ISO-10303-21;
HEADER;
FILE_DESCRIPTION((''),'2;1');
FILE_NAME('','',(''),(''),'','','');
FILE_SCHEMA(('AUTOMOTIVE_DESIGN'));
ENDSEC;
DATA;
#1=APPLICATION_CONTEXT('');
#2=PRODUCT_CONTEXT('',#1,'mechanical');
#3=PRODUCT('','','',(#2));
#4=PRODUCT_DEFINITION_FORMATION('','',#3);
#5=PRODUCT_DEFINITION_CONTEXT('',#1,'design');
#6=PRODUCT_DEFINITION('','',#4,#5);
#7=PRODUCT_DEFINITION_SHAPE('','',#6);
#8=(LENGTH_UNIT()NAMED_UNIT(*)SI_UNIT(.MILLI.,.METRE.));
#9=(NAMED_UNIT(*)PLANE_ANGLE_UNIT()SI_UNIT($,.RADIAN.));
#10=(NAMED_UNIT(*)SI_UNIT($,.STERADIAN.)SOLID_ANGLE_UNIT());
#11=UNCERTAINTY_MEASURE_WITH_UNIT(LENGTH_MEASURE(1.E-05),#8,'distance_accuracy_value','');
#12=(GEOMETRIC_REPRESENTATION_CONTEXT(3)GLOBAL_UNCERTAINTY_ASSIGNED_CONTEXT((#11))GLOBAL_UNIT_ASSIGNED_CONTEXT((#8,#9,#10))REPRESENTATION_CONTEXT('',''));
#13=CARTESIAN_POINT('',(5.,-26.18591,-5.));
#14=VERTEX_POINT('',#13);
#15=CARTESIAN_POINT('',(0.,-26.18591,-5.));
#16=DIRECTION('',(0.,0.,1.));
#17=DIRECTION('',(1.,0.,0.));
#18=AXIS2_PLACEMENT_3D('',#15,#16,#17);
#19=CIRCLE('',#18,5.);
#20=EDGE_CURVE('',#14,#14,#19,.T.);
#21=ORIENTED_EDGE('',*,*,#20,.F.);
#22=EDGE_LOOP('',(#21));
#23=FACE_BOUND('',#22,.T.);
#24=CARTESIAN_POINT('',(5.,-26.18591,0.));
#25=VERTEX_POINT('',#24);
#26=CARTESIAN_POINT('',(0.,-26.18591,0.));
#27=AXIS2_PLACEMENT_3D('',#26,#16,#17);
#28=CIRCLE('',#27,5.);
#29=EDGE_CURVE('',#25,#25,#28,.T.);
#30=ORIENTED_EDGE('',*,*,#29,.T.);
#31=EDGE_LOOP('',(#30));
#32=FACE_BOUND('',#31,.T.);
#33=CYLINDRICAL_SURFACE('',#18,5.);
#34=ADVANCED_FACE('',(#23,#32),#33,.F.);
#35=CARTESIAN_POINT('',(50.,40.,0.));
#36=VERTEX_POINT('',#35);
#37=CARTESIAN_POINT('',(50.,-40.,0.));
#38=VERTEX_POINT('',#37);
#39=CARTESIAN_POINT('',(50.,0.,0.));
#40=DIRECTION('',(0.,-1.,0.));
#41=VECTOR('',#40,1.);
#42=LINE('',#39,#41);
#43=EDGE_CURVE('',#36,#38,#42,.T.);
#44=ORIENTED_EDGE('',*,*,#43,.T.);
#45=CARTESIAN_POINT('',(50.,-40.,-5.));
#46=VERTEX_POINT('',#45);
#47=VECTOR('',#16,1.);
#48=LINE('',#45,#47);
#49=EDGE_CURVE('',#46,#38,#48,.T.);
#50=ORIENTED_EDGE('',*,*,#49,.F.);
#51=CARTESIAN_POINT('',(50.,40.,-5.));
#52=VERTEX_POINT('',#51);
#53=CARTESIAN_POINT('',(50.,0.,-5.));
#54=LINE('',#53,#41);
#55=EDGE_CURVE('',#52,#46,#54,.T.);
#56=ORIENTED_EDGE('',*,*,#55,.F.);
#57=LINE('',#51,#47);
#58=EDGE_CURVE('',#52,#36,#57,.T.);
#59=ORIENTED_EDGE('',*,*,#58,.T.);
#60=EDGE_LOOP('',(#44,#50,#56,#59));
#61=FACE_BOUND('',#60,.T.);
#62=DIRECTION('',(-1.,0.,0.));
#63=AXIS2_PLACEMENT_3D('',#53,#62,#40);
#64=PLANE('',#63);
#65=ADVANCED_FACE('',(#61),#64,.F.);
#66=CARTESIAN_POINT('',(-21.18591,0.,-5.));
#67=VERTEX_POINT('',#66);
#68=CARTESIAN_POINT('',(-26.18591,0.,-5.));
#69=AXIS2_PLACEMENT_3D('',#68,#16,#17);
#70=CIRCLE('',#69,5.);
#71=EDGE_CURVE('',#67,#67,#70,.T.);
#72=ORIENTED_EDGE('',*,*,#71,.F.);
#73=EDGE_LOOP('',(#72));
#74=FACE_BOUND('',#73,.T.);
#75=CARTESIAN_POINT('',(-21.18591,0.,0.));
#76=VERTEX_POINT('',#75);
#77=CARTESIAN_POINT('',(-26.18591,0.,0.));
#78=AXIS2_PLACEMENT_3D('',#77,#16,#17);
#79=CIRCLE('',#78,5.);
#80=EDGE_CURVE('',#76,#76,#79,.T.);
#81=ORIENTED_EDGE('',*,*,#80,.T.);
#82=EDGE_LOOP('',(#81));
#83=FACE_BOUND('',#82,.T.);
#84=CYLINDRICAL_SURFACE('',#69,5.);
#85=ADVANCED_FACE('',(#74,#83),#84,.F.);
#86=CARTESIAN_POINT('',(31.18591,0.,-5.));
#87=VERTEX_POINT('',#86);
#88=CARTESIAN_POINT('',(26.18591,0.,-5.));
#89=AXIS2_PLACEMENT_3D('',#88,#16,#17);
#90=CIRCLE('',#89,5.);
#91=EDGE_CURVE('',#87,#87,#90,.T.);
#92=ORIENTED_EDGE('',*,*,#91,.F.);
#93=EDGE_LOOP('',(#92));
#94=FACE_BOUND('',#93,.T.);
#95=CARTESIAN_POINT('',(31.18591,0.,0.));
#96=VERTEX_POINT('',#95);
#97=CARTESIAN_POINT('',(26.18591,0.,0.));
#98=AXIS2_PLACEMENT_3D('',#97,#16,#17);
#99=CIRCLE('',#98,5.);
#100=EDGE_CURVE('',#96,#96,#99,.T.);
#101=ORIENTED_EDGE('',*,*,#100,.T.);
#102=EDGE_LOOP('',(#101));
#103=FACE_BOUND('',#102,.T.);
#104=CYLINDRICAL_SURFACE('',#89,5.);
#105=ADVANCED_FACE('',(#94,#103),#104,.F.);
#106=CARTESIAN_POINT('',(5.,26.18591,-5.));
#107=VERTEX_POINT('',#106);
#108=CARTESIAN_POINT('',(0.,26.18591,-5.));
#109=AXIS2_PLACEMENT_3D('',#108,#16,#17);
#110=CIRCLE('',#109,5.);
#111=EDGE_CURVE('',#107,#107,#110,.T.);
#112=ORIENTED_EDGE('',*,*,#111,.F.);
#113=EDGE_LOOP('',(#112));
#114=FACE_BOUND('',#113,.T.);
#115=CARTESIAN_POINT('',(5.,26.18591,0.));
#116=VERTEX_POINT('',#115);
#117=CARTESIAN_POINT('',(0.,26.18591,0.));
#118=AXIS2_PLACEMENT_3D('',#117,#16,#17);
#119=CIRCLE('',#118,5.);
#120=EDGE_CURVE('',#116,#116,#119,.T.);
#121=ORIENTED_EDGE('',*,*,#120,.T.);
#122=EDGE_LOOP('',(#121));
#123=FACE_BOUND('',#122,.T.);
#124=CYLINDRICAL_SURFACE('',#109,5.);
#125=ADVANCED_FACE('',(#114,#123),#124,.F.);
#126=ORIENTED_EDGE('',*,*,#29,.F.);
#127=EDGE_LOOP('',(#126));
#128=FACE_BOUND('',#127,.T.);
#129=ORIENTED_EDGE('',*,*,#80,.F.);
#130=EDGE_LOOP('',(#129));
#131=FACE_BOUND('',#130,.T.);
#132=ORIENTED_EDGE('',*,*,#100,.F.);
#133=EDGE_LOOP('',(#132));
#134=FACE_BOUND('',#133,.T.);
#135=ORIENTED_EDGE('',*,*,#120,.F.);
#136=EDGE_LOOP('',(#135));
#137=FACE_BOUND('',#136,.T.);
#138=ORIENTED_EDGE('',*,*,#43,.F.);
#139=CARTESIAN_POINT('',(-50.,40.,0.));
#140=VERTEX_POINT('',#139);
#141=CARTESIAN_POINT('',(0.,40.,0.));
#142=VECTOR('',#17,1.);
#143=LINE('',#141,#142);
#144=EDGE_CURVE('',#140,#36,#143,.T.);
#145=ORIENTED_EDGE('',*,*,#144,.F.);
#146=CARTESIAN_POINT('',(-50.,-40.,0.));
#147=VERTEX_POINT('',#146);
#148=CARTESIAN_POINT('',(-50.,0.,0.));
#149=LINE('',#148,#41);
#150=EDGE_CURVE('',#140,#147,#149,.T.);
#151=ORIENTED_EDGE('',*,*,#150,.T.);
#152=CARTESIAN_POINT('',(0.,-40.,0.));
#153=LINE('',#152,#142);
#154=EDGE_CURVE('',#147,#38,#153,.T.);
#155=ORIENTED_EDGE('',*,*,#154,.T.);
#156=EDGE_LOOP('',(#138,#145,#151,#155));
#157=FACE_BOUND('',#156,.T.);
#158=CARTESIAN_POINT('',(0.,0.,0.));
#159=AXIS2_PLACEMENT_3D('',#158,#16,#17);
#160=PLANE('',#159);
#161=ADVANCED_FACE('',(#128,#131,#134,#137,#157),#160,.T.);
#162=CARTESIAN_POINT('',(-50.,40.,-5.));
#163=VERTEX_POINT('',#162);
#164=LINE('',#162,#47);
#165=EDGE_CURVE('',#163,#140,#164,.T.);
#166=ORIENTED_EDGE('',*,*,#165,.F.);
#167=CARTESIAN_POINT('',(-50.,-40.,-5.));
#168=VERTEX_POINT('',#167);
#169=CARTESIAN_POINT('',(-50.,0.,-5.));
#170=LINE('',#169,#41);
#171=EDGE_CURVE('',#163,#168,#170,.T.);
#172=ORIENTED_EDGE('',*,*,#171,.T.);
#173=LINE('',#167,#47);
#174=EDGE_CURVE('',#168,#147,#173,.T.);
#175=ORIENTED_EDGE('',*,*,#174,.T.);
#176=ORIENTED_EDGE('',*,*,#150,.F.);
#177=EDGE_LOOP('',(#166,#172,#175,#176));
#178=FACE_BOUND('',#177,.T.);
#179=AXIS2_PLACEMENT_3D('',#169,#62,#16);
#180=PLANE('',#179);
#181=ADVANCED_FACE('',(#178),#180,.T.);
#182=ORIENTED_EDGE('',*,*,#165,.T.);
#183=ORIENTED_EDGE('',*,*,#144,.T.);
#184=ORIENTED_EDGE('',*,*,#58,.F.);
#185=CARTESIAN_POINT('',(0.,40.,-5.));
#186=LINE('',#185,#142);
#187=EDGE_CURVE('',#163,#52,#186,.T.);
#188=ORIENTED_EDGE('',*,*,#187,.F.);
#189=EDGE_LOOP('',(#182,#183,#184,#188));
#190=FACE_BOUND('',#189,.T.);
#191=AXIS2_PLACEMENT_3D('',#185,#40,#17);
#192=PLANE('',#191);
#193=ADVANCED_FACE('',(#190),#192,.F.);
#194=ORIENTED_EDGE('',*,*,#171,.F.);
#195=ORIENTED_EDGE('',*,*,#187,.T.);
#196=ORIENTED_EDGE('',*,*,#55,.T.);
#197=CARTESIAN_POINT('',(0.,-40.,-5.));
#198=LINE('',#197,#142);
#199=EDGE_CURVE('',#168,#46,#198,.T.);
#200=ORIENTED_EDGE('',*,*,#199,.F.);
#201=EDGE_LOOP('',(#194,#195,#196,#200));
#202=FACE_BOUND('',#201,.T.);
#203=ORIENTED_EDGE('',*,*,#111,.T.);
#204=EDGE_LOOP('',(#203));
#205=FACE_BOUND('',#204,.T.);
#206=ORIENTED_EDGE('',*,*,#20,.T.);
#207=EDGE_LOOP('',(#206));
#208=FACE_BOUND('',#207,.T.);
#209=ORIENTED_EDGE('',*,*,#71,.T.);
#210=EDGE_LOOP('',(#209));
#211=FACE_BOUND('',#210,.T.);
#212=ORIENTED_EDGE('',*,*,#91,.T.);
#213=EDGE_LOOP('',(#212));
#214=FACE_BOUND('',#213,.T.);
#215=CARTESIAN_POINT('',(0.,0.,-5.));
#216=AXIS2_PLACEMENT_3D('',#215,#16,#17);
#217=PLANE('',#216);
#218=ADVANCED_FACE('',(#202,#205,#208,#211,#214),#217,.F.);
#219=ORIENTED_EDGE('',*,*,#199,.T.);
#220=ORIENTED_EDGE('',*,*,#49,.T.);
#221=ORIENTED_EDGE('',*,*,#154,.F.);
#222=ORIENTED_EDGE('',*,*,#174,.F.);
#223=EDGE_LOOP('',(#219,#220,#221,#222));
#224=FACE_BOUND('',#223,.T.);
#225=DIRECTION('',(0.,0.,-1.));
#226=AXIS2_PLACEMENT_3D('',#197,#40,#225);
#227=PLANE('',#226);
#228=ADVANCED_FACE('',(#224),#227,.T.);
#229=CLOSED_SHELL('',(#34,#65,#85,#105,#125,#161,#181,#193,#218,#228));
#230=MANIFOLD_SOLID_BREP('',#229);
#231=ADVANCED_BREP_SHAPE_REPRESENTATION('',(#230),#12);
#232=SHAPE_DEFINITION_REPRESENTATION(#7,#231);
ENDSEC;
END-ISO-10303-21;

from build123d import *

# Parameters (mm, degrees)
SKETCH1_W           = 100
SKETCH1_H           = 80
SKETCH1_R           = 5
BOSS_EXTRUDE3_DEPTH = 5


with BuildPart() as part:
    # Sketch1 → Boss-Extrude3 (new body)
    with BuildSketch(Plane.XY):
        Rectangle(SKETCH1_W, SKETCH1_H)
        with Locations((-26.18590973, 0)):
            Circle(SKETCH1_R, mode=Mode.SUBTRACT)
        with Locations((0, 26.18590973)):
            Circle(SKETCH1_R, mode=Mode.SUBTRACT)
        with Locations((26.18590973, 0)):
            Circle(SKETCH1_R, mode=Mode.SUBTRACT)
        with Locations((0, -26.18590973)):
            Circle(SKETCH1_R, mode=Mode.SUBTRACT)
    extrude(amount=-BOSS_EXTRUDE3_DEPTH)


solid = part.part
